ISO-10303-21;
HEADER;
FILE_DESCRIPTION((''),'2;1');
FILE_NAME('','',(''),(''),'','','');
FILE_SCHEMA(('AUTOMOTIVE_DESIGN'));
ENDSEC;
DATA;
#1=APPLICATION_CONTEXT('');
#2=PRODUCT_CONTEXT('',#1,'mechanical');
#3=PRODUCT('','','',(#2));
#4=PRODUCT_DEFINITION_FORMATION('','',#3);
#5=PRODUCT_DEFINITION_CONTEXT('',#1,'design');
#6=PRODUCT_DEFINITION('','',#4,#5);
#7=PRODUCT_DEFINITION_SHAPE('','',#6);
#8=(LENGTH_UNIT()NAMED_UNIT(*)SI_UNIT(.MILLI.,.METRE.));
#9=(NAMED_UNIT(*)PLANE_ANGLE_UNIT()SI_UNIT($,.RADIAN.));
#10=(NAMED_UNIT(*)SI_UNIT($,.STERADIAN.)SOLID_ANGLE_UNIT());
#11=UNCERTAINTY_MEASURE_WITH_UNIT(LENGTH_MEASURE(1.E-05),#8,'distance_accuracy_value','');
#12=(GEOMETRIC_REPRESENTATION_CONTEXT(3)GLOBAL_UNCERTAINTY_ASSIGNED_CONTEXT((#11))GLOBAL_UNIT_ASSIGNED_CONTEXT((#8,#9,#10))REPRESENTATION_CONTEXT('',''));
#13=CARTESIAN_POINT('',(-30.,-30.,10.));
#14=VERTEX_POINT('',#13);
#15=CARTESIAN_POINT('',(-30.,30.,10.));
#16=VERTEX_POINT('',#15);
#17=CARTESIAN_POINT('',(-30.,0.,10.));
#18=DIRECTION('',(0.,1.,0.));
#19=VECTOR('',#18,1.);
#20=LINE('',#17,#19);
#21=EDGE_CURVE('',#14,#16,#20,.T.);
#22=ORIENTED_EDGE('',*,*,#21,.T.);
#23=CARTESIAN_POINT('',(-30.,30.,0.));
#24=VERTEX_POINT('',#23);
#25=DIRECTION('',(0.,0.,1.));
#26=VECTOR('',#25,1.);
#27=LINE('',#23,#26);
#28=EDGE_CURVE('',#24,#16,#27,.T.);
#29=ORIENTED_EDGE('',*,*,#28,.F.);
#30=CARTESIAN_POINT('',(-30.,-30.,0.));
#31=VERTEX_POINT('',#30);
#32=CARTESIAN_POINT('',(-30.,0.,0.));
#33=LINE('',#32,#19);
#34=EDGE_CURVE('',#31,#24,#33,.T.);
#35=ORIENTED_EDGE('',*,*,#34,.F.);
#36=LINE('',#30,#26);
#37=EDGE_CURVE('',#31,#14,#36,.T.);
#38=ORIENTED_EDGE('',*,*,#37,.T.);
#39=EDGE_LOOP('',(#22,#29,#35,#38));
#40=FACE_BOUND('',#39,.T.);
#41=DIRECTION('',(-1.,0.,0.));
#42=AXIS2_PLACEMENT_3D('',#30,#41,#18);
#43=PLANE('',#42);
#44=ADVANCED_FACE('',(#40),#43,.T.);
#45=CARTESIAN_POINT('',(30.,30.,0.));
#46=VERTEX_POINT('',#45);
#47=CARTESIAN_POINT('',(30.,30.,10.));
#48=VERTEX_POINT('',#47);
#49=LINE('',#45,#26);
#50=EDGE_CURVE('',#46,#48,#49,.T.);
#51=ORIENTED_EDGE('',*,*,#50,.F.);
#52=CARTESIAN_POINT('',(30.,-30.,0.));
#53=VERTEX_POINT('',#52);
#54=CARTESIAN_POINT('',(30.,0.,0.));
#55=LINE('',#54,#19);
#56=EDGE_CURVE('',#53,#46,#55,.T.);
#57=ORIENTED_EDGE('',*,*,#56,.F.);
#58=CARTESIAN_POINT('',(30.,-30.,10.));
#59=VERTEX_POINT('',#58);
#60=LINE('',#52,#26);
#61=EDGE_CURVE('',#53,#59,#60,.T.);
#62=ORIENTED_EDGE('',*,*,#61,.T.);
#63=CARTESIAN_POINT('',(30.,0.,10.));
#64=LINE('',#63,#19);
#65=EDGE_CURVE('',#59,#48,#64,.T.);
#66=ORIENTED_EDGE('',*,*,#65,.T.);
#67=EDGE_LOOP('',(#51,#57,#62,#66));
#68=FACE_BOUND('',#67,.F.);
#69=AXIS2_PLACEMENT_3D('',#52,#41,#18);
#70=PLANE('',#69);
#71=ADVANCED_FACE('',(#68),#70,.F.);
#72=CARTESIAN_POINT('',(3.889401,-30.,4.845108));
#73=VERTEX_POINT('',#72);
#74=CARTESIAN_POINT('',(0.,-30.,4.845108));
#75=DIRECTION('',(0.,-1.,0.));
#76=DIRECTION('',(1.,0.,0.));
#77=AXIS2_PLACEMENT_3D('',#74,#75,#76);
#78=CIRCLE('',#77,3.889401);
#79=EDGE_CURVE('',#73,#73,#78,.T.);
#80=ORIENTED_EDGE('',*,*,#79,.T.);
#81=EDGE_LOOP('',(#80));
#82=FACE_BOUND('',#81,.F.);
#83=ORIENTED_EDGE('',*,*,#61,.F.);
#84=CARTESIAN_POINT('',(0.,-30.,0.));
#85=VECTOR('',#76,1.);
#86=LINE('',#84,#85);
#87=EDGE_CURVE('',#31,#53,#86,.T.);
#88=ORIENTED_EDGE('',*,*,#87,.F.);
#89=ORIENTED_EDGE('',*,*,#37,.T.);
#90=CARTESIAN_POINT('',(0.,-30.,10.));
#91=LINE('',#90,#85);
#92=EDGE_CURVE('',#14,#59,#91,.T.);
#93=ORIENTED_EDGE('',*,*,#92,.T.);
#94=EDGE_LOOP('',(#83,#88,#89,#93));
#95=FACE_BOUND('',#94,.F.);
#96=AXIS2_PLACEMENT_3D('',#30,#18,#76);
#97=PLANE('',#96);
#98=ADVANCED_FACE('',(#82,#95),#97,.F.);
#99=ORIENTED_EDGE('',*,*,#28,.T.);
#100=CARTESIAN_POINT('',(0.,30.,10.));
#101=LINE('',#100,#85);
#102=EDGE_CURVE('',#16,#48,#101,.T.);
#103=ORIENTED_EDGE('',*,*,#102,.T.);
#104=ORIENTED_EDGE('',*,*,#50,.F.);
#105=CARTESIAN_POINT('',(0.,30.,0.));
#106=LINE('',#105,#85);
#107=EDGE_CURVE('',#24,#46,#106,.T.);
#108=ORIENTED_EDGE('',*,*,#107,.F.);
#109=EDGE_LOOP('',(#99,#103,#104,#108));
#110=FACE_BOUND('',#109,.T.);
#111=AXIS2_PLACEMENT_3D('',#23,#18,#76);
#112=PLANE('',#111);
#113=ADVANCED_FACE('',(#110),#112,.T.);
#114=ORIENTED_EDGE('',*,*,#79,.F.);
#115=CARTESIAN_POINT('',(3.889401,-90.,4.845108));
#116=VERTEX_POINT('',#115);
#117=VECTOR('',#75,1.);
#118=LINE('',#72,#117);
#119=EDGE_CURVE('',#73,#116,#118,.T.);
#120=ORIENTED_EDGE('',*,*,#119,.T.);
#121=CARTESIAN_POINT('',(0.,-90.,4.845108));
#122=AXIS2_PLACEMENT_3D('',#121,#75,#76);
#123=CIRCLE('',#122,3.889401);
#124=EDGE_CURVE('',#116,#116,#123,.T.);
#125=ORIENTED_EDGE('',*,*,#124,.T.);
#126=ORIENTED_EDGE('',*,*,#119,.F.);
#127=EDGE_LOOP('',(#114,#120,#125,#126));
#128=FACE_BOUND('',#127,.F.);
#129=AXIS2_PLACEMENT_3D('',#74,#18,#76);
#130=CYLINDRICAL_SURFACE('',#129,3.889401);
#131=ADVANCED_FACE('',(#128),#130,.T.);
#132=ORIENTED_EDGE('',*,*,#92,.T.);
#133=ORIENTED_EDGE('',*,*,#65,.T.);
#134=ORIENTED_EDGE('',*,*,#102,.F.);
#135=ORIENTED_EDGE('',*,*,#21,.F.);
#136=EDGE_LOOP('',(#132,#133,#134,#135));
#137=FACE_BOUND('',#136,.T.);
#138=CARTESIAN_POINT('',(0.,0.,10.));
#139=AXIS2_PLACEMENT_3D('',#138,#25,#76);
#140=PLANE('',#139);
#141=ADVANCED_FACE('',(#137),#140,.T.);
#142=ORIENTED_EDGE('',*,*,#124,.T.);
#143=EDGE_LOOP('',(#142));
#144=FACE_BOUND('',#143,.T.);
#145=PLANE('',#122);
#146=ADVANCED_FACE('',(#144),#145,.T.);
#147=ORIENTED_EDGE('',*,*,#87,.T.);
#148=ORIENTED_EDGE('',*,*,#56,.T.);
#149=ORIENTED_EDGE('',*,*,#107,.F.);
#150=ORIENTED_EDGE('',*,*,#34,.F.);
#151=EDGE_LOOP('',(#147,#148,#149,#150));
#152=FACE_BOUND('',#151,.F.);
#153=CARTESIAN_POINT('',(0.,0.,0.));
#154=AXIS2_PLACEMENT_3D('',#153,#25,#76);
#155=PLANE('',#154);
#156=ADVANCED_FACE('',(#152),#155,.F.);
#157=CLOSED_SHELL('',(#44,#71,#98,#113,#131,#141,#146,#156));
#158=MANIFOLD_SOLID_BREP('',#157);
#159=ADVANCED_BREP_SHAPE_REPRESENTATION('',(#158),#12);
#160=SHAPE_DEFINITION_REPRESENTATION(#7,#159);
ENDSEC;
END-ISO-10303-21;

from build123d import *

# Parameters (mm, degrees)
F0_W     = 60
F0_H     = 60
F1_DEPTH = 10
F2_R     = 3.889401
F3_DEPTH = 60


with BuildPart() as f1:
    # F0 (on Top) → F1 (new body)
    with BuildSketch(Plane.XY):
        Rectangle(F0_W, F0_H)
    extrude(amount=F1_DEPTH)

    # F2 (on face) → F3 (join)
    with BuildSketch(Plane.XZ.offset(30)):
        with Locations((0, 4.845108)):
            Circle(F2_R)
    extrude(amount=F3_DEPTH)


solid = f1.part
